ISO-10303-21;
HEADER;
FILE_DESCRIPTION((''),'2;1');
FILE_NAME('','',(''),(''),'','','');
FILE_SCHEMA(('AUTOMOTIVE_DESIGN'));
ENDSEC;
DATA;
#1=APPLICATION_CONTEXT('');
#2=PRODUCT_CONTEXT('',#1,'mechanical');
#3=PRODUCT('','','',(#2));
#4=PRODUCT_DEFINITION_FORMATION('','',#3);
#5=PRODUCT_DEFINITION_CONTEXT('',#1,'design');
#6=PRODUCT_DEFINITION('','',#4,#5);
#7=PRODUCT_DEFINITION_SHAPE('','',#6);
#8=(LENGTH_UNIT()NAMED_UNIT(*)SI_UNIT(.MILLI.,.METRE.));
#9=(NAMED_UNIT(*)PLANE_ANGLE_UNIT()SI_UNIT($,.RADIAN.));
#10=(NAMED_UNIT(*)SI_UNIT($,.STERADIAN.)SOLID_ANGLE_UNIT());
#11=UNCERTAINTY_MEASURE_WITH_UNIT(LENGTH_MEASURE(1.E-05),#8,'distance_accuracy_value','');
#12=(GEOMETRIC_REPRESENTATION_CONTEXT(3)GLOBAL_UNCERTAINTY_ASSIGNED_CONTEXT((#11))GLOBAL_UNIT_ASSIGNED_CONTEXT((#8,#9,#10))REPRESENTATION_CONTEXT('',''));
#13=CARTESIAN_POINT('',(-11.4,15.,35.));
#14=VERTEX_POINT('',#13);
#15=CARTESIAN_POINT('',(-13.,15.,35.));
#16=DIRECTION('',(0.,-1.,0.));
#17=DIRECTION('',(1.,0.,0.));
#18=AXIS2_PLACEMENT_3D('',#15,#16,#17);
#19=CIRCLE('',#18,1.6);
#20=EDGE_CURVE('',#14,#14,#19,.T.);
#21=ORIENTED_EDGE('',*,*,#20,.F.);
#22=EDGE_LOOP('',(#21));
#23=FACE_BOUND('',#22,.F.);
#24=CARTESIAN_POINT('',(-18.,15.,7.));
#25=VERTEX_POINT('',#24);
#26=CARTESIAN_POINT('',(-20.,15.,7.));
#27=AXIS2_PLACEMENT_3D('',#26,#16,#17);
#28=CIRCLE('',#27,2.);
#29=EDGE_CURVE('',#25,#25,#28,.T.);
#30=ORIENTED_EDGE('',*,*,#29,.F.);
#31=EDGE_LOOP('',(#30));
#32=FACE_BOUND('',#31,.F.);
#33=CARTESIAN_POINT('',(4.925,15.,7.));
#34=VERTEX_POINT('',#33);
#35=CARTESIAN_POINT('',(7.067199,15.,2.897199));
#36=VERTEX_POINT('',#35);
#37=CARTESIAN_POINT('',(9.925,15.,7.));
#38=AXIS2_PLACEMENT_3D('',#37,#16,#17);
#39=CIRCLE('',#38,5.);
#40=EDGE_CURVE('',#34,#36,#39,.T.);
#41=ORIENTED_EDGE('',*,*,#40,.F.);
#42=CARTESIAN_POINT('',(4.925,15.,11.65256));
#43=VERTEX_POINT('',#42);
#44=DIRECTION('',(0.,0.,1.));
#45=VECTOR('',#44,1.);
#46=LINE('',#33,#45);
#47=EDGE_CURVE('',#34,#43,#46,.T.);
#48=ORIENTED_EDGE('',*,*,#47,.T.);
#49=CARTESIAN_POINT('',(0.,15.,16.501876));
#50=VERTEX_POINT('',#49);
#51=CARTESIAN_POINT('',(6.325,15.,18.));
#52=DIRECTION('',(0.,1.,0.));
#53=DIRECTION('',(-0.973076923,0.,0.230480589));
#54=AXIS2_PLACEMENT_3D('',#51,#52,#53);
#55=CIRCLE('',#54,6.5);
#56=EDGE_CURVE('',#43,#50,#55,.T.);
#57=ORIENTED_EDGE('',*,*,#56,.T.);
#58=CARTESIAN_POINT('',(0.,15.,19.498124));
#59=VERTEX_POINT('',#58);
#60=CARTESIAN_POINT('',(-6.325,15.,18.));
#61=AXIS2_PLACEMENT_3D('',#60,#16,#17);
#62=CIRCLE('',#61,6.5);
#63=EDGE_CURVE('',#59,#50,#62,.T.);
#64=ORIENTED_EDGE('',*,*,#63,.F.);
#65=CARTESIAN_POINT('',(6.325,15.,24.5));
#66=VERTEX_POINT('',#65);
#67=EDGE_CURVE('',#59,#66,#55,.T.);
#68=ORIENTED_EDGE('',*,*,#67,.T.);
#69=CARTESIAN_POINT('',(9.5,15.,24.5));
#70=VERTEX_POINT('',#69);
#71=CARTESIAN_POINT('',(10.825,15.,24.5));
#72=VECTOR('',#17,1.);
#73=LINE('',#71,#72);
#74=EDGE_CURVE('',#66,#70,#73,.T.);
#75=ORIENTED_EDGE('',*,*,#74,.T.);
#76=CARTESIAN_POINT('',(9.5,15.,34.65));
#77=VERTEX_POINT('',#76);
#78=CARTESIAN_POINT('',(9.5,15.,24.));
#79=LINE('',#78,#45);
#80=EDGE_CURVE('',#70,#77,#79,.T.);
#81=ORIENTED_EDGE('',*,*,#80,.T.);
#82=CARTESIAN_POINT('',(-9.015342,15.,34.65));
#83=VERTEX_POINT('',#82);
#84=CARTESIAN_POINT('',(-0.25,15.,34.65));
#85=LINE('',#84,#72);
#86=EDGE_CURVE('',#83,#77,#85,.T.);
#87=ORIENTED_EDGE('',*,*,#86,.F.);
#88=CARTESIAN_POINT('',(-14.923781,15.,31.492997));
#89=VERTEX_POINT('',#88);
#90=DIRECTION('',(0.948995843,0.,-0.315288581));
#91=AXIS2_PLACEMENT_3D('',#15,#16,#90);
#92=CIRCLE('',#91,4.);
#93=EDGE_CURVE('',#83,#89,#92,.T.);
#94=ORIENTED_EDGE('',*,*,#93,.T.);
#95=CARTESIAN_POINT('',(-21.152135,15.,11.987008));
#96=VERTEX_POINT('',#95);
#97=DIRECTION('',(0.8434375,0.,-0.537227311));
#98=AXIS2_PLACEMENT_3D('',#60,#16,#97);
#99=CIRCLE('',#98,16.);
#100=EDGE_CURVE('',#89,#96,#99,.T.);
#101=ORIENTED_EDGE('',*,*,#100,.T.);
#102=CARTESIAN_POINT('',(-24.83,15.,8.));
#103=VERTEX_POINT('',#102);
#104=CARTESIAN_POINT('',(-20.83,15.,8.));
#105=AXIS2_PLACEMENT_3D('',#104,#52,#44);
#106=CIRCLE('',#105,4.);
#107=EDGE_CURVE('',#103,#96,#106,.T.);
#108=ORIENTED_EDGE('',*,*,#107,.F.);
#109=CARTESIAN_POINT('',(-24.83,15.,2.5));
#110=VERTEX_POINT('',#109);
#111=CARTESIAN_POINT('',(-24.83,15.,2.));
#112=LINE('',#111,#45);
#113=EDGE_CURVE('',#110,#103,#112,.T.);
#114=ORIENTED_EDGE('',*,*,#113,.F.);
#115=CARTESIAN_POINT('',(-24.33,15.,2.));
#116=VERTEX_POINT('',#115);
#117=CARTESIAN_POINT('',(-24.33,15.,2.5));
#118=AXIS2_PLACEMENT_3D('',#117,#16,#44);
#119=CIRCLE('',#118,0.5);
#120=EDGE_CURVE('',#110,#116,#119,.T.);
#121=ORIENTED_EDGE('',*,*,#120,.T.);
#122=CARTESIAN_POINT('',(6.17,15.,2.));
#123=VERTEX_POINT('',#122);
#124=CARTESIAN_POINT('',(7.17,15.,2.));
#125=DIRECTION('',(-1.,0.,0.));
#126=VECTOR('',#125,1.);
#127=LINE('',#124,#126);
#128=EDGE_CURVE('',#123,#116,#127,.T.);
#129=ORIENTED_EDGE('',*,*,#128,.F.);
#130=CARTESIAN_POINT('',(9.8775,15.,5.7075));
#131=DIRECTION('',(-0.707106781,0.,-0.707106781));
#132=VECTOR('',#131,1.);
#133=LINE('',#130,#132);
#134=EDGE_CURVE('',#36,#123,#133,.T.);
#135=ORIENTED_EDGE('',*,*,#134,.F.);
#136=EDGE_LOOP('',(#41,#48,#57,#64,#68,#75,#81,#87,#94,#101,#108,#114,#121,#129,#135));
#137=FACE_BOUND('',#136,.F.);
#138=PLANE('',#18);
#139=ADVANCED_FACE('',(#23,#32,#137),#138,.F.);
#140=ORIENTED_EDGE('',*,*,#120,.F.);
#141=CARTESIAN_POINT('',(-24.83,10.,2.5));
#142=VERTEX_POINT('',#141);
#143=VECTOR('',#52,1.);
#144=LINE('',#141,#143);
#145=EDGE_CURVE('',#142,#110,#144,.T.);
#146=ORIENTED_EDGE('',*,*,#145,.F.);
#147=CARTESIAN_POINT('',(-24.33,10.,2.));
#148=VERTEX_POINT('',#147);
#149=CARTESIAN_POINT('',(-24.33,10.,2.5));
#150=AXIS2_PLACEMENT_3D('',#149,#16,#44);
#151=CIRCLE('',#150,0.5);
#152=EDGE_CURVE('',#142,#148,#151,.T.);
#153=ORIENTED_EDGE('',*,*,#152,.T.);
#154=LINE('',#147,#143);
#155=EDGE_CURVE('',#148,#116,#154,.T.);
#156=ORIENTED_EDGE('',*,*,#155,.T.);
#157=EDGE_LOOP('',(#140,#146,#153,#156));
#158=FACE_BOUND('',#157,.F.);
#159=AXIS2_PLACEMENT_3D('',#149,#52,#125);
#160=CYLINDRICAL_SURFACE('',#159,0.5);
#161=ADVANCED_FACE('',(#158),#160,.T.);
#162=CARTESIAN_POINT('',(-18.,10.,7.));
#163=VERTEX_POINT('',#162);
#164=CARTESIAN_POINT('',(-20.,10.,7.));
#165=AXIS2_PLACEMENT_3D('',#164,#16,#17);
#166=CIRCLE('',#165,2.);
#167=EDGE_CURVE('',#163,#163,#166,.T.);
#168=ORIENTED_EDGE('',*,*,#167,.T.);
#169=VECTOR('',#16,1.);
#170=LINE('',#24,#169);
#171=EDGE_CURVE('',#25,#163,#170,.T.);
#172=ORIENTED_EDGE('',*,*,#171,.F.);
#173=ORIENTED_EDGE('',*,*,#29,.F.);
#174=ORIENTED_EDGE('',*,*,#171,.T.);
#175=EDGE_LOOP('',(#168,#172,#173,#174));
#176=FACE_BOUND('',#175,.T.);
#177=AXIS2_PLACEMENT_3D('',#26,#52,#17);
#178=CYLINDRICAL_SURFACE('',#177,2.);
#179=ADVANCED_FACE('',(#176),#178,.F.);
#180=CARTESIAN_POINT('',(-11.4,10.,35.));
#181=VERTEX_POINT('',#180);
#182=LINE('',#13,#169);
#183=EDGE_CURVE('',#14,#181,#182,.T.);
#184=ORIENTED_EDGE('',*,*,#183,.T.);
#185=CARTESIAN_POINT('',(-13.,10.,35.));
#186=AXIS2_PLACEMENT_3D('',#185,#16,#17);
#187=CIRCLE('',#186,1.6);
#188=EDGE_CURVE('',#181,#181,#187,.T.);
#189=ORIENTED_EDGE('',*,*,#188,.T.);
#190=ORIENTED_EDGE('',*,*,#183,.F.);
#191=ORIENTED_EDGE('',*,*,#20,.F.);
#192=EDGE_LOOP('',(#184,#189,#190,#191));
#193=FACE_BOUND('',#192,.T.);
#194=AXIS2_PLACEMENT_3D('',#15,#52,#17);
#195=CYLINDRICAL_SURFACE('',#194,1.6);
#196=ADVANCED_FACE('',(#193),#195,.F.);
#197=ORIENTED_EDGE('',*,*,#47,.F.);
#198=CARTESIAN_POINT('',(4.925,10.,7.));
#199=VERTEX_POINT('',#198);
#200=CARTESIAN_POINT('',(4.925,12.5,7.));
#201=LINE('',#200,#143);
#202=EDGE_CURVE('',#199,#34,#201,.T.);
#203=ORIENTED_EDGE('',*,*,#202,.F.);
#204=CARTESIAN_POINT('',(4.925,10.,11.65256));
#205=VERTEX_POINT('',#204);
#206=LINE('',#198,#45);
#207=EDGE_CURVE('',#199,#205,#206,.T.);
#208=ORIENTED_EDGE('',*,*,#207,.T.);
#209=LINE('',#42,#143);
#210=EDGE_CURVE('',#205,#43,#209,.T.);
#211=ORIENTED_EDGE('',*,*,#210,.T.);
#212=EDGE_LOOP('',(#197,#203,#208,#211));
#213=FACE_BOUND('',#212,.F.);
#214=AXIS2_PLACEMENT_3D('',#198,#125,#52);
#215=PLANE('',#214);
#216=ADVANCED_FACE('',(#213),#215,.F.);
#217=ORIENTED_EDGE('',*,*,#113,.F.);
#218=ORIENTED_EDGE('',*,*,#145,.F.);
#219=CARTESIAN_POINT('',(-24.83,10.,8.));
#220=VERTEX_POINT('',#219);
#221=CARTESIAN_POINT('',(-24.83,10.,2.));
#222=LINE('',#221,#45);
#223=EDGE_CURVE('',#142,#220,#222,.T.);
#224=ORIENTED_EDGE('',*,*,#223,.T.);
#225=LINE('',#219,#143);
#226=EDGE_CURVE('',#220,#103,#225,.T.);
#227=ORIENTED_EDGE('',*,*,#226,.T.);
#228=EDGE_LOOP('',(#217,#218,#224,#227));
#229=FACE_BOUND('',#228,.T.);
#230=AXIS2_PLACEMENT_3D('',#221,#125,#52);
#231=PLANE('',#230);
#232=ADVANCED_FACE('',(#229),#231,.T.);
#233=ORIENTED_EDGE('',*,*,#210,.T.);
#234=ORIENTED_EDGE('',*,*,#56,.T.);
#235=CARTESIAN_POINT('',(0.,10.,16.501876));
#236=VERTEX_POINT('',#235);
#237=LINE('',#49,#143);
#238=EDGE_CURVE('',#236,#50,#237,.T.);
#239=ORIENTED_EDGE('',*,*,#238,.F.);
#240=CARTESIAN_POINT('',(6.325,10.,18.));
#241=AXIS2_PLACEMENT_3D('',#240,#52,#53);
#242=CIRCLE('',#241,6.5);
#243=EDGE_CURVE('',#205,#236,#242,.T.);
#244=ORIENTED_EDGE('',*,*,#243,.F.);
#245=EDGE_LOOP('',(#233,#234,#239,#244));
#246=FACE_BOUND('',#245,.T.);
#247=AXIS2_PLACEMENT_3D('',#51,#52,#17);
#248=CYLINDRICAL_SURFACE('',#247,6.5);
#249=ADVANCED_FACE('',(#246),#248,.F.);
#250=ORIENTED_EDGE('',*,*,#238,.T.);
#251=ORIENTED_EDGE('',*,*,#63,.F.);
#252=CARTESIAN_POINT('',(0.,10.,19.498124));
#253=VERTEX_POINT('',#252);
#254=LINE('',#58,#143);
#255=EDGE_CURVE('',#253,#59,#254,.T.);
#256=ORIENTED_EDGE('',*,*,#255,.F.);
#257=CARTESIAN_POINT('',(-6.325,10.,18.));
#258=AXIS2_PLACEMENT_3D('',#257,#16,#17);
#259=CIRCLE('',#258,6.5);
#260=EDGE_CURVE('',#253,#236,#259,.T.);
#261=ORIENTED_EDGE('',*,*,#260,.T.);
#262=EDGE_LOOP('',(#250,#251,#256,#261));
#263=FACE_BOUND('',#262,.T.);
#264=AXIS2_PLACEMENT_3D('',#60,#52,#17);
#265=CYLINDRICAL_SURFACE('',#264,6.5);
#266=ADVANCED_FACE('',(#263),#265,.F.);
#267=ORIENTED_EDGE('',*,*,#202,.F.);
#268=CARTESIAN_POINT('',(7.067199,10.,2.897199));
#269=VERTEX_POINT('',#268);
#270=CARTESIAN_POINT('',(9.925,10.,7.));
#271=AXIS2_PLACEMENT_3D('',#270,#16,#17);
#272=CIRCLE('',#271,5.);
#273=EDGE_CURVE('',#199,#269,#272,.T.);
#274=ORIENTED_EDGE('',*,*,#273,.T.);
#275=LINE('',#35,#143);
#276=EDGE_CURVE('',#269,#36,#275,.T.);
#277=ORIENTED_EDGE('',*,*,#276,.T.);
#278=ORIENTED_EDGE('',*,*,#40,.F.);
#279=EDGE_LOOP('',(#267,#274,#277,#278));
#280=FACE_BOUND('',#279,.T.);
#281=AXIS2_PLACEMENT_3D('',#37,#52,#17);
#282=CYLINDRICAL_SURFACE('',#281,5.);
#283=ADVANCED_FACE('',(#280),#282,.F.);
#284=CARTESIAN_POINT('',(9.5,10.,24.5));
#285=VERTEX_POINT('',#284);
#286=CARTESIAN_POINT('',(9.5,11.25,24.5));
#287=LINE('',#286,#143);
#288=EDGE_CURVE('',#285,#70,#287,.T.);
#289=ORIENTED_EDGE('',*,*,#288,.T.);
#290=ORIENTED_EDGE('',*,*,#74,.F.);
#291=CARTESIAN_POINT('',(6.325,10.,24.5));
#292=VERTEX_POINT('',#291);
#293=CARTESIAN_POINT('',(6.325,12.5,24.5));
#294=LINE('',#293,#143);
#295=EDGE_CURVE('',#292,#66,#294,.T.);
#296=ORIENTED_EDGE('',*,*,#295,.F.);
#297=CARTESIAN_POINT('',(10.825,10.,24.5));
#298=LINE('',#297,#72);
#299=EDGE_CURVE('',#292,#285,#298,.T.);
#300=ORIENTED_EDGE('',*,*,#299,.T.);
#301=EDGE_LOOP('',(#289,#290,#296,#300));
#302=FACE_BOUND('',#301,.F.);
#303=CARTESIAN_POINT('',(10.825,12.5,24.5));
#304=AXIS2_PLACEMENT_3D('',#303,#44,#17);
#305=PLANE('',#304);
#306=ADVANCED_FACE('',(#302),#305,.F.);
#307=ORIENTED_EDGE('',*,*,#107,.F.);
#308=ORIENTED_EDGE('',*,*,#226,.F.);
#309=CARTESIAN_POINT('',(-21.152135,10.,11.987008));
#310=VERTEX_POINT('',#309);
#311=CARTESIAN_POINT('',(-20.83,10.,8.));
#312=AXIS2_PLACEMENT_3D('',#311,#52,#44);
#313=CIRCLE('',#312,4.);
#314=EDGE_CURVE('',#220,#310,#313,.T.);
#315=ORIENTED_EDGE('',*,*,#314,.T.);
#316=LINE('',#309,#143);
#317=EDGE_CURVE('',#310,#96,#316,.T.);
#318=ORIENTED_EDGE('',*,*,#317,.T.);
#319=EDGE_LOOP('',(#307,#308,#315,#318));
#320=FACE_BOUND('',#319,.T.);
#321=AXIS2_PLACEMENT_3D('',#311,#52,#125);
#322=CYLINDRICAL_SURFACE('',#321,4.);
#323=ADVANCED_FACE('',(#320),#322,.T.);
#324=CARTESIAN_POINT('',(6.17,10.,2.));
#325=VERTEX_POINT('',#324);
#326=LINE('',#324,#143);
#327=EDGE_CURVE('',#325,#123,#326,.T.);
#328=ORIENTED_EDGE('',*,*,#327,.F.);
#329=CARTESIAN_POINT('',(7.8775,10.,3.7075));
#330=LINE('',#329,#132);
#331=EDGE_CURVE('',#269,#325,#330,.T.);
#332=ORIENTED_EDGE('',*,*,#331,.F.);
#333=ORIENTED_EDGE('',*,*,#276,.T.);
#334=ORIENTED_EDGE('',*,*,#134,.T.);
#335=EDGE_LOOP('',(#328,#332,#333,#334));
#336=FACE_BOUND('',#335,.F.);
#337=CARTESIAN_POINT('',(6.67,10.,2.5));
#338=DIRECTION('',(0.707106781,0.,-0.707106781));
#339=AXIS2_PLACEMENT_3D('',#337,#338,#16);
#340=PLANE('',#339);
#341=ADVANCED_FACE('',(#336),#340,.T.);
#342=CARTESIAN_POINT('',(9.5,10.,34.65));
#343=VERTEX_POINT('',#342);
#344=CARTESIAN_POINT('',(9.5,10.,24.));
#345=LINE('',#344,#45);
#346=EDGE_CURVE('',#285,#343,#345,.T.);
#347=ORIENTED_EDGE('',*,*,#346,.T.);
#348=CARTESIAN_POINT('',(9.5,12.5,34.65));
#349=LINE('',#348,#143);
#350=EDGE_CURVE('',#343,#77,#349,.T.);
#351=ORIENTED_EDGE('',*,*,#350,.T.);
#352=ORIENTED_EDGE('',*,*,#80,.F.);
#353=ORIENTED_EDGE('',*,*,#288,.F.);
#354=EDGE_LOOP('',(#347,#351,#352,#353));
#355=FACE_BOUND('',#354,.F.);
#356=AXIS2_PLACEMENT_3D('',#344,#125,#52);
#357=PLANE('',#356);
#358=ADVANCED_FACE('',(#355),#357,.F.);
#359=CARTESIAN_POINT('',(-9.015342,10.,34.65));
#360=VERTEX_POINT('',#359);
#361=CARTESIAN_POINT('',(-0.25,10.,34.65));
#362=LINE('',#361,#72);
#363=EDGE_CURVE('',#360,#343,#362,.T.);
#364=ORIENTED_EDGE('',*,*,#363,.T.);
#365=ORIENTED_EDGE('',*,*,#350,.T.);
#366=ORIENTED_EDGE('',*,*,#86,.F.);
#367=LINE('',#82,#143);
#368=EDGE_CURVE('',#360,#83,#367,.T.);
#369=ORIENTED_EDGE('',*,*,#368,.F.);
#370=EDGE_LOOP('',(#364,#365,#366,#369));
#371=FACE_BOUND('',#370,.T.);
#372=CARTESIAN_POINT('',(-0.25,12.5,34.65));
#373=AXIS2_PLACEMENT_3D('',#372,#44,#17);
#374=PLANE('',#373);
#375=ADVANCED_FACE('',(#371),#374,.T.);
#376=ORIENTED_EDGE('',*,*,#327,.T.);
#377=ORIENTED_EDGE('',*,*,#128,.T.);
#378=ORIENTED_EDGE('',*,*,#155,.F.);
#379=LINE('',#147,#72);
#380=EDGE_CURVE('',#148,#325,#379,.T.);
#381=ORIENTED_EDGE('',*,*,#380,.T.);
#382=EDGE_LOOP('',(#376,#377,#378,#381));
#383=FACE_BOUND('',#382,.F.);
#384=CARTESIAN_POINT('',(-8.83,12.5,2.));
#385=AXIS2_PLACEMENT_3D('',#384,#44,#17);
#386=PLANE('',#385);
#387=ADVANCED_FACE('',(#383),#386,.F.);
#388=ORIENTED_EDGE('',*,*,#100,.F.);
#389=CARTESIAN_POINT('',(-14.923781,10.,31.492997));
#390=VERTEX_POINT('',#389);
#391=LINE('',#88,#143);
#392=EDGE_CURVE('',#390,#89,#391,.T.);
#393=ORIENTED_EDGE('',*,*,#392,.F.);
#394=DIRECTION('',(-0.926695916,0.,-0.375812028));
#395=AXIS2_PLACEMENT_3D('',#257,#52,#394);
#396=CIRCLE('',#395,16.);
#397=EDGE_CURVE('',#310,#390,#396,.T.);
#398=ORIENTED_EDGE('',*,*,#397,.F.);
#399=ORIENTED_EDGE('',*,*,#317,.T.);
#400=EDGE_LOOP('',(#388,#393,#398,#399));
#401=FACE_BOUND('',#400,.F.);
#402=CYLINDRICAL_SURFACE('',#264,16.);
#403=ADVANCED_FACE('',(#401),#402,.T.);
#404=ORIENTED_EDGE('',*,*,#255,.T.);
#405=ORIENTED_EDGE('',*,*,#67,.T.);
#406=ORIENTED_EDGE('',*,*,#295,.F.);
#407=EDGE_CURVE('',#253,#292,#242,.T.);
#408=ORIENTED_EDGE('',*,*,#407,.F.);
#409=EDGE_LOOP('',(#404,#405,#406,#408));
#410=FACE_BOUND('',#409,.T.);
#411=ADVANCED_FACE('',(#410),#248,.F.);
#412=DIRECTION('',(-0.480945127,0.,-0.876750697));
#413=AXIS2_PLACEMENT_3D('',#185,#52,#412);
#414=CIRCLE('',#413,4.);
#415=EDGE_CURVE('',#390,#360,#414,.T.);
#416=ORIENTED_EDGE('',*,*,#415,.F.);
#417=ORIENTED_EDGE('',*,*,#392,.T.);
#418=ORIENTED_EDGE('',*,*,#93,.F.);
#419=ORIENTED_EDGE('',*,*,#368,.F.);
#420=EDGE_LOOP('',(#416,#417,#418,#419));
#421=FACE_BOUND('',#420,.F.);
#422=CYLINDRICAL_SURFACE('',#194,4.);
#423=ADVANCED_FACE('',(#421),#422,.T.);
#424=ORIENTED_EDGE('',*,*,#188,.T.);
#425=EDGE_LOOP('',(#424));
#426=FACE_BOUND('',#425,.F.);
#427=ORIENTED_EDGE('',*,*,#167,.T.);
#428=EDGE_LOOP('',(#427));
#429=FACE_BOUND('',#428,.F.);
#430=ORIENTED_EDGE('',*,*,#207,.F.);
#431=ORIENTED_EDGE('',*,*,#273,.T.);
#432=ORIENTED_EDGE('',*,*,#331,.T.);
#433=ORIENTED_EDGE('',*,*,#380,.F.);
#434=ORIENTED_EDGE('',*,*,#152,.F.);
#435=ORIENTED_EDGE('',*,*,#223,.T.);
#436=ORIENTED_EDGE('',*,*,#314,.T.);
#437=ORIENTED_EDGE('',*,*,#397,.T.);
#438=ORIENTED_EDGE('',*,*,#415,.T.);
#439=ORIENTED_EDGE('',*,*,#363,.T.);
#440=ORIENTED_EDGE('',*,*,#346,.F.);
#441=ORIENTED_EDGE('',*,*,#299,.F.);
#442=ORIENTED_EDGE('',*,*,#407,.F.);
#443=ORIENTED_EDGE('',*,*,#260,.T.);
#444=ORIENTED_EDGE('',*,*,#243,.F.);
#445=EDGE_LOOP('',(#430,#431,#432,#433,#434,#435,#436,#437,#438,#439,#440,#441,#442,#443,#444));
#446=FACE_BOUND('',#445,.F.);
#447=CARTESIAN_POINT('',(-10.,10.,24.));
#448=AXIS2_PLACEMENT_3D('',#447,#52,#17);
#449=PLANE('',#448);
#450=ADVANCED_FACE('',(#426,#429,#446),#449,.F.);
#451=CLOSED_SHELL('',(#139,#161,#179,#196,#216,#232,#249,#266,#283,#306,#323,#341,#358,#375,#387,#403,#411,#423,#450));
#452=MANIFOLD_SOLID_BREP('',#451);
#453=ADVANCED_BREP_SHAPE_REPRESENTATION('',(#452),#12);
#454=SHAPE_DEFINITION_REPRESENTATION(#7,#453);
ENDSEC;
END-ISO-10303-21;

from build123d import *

# Parameters (mm, degrees)
BOX010_W                    = 11
BOX010_H                    = 5
BOX010_DEPTH                = 12
CYLINDER029_R               = 5
CYLINDER029_DEPTH           = 5
BOX011_W                    = 9
BOX011_H                    = 5
BOX011_DEPTH                = 13.5
CYLINDER027_R               = 1.6
CYLINDER027_DEPTH           = 5
CYLINDER028_R               = 2
CYLINDER028_DEPTH           = 5
CYLINDER024_R               = 6.5
CYLINDER024_DEPTH           = 5
CYLINDER023_R               = 6.5
CYLINDER023_DEPTH           = 5
CYLINDER022_R               = 16
CYLINDER022_DEPTH           = 5
CYLINDER026_R               = 4
CYLINDER026_DEPTH           = 5
BOX008_W                    = 19.5
BOX008_H                    = 5
BOX008_DEPTH                = 10.65
BOX009_W                    = 32
BOX009_H                    = 5
BOX009_DEPTH                = 10
FILLET010_R                 = 4
FILLET011_R                 = 0.5
CHAMFER008005003003005_SIZE = 1


with BuildPart() as cube010:
    # Box010 → Box010 (new body)
    with BuildSketch(Plane(origin=(4.925, 10, 7), x_dir=(1, 0, 0), z_dir=(0, 0, 1))):
        with Locations((5.5, 2.5)):
            Rectangle(BOX010_W, BOX010_H)
    extrude(amount=BOX010_DEPTH)


with BuildPart() as cylinder029:
    # Cylinder029 → Cylinder029 (new body)
    with BuildSketch(Plane(origin=(9.925, 15, 7), x_dir=(1, 0, 0), z_dir=(0, -1, 0))):
        Circle(CYLINDER029_R)
    extrude(amount=CYLINDER029_DEPTH)


with BuildPart() as fusion001002002001017:
    # Box011 → Box011 (new body)
    with BuildSketch(Plane(origin=(6.325, 10, 11), x_dir=(1, 0, 0), z_dir=(0, 0, 1))):
        with Locations((4.5, 2.5)):
            Rectangle(BOX011_W, BOX011_H)
    extrude(amount=BOX011_DEPTH)

    # Fusion001002002001017: union Cube010, Cylinder029
    add(cube010.part)
    add(cylinder029.part)


with BuildPart() as cylinder027:
    # Cylinder027 → Cylinder027 (new body)
    with BuildSketch(Plane(origin=(-13, 15, 35), x_dir=(1, 0, 0), z_dir=(0, -1, 0))):
        Circle(CYLINDER027_R)
    extrude(amount=CYLINDER027_DEPTH)


with BuildPart() as fusion001002002001008:
    # Cylinder028 → Cylinder028 (new body)
    with BuildSketch(Plane(origin=(-20, 15, 7), x_dir=(1, 0, 0), z_dir=(0, -1, 0))):
        Circle(CYLINDER028_R)
    extrude(amount=CYLINDER028_DEPTH)

    # Fusion001002002001008: union Cylinder027
    add(cylinder027.part)


with BuildPart() as cylinder024:
    # Cylinder024 → Cylinder024 (new body)
    with BuildSketch(Plane(origin=(-6.325, 15, 18), x_dir=(1, 0, 0), z_dir=(0, -1, 0))):
        Circle(CYLINDER024_R)
    extrude(amount=CYLINDER024_DEPTH)


with BuildPart() as fusion001002002001016:
    # Cylinder023 → Cylinder023 (new body)
    with BuildSketch(Plane(origin=(6.325, 15, 18), x_dir=(1, 0, 0), z_dir=(0, -1, 0))):
        Circle(CYLINDER023_R)
    extrude(amount=CYLINDER023_DEPTH)

    # Fusion001002002001016: union Cylinder024
    add(cylinder024.part)


with BuildPart() as cylinder022:
    # Cylinder022 → Cylinder022 (new body)
    with BuildSketch(Plane(origin=(-6.325, 15, 18), x_dir=(1, 0, 0), z_dir=(0, -1, 0))):
        Circle(CYLINDER022_R)
    extrude(amount=CYLINDER022_DEPTH)


with BuildPart() as cylinder026:
    # Cylinder026 → Cylinder026 (new body)
    with BuildSketch(Plane(origin=(-13, 15, 35), x_dir=(1, 0, 0), z_dir=(0, -1, 0))):
        Circle(CYLINDER026_R)
    extrude(amount=CYLINDER026_DEPTH)


with BuildPart() as cube008:
    # Box008 → Box008 (new body)
    with BuildSketch(Plane(origin=(-10, 10, 24), x_dir=(1, 0, 0), z_dir=(0, 0, 1))):
        with Locations((9.75, 2.5)):
            Rectangle(BOX008_W, BOX008_H)
    extrude(amount=BOX008_DEPTH)


with BuildPart() as mid_base_draf:
    # Box009 → Box009 (new body)
    with BuildSketch(Plane(origin=(-24.83, 10, 2), x_dir=(1, 0, 0), z_dir=(0, 0, 1))):
        with Locations((16, 2.5)):
            Rectangle(BOX009_W, BOX009_H)
    extrude(amount=BOX009_DEPTH)

    # Fillet010
    fillet010_edges = [mid_base_draf.edges().sort_by_distance(p)[0] for p in [
        (-24.83, 12.5, 12),
    ]]
    fillet(fillet010_edges, radius=FILLET010_R)

    # Fillet011
    fillet011_edges = [mid_base_draf.edges().sort_by_distance(p)[0] for p in [
        (-24.83, 12.5, 2),
    ]]
    fillet(fillet011_edges, radius=FILLET011_R)

    # Fusion001002002001015: union Cylinder022, Cylinder026, Cube008
    add(cylinder022.part)
    add(cylinder026.part)
    add(cube008.part)

    # Cut031025: cut Fusion001002002001016
    add(fusion001002002001016.part, mode=Mode.SUBTRACT)

    # Cut031026: cut Fusion001002002001008
    add(fusion001002002001008.part, mode=Mode.SUBTRACT)

    # Chamfer008005003003005
    chamfer008005003003005_edges = [mid_base_draf.edges().sort_by_distance(p)[0] for p in [
        (7.17, 12.5, 2),
    ]]
    chamfer(chamfer008005003003005_edges, length=CHAMFER008005003003005_SIZE)

    # Cut031027: cut Fusion001002002001017
    add(fusion001002002001017.part, mode=Mode.SUBTRACT)


solid = mid_base_draf.part
